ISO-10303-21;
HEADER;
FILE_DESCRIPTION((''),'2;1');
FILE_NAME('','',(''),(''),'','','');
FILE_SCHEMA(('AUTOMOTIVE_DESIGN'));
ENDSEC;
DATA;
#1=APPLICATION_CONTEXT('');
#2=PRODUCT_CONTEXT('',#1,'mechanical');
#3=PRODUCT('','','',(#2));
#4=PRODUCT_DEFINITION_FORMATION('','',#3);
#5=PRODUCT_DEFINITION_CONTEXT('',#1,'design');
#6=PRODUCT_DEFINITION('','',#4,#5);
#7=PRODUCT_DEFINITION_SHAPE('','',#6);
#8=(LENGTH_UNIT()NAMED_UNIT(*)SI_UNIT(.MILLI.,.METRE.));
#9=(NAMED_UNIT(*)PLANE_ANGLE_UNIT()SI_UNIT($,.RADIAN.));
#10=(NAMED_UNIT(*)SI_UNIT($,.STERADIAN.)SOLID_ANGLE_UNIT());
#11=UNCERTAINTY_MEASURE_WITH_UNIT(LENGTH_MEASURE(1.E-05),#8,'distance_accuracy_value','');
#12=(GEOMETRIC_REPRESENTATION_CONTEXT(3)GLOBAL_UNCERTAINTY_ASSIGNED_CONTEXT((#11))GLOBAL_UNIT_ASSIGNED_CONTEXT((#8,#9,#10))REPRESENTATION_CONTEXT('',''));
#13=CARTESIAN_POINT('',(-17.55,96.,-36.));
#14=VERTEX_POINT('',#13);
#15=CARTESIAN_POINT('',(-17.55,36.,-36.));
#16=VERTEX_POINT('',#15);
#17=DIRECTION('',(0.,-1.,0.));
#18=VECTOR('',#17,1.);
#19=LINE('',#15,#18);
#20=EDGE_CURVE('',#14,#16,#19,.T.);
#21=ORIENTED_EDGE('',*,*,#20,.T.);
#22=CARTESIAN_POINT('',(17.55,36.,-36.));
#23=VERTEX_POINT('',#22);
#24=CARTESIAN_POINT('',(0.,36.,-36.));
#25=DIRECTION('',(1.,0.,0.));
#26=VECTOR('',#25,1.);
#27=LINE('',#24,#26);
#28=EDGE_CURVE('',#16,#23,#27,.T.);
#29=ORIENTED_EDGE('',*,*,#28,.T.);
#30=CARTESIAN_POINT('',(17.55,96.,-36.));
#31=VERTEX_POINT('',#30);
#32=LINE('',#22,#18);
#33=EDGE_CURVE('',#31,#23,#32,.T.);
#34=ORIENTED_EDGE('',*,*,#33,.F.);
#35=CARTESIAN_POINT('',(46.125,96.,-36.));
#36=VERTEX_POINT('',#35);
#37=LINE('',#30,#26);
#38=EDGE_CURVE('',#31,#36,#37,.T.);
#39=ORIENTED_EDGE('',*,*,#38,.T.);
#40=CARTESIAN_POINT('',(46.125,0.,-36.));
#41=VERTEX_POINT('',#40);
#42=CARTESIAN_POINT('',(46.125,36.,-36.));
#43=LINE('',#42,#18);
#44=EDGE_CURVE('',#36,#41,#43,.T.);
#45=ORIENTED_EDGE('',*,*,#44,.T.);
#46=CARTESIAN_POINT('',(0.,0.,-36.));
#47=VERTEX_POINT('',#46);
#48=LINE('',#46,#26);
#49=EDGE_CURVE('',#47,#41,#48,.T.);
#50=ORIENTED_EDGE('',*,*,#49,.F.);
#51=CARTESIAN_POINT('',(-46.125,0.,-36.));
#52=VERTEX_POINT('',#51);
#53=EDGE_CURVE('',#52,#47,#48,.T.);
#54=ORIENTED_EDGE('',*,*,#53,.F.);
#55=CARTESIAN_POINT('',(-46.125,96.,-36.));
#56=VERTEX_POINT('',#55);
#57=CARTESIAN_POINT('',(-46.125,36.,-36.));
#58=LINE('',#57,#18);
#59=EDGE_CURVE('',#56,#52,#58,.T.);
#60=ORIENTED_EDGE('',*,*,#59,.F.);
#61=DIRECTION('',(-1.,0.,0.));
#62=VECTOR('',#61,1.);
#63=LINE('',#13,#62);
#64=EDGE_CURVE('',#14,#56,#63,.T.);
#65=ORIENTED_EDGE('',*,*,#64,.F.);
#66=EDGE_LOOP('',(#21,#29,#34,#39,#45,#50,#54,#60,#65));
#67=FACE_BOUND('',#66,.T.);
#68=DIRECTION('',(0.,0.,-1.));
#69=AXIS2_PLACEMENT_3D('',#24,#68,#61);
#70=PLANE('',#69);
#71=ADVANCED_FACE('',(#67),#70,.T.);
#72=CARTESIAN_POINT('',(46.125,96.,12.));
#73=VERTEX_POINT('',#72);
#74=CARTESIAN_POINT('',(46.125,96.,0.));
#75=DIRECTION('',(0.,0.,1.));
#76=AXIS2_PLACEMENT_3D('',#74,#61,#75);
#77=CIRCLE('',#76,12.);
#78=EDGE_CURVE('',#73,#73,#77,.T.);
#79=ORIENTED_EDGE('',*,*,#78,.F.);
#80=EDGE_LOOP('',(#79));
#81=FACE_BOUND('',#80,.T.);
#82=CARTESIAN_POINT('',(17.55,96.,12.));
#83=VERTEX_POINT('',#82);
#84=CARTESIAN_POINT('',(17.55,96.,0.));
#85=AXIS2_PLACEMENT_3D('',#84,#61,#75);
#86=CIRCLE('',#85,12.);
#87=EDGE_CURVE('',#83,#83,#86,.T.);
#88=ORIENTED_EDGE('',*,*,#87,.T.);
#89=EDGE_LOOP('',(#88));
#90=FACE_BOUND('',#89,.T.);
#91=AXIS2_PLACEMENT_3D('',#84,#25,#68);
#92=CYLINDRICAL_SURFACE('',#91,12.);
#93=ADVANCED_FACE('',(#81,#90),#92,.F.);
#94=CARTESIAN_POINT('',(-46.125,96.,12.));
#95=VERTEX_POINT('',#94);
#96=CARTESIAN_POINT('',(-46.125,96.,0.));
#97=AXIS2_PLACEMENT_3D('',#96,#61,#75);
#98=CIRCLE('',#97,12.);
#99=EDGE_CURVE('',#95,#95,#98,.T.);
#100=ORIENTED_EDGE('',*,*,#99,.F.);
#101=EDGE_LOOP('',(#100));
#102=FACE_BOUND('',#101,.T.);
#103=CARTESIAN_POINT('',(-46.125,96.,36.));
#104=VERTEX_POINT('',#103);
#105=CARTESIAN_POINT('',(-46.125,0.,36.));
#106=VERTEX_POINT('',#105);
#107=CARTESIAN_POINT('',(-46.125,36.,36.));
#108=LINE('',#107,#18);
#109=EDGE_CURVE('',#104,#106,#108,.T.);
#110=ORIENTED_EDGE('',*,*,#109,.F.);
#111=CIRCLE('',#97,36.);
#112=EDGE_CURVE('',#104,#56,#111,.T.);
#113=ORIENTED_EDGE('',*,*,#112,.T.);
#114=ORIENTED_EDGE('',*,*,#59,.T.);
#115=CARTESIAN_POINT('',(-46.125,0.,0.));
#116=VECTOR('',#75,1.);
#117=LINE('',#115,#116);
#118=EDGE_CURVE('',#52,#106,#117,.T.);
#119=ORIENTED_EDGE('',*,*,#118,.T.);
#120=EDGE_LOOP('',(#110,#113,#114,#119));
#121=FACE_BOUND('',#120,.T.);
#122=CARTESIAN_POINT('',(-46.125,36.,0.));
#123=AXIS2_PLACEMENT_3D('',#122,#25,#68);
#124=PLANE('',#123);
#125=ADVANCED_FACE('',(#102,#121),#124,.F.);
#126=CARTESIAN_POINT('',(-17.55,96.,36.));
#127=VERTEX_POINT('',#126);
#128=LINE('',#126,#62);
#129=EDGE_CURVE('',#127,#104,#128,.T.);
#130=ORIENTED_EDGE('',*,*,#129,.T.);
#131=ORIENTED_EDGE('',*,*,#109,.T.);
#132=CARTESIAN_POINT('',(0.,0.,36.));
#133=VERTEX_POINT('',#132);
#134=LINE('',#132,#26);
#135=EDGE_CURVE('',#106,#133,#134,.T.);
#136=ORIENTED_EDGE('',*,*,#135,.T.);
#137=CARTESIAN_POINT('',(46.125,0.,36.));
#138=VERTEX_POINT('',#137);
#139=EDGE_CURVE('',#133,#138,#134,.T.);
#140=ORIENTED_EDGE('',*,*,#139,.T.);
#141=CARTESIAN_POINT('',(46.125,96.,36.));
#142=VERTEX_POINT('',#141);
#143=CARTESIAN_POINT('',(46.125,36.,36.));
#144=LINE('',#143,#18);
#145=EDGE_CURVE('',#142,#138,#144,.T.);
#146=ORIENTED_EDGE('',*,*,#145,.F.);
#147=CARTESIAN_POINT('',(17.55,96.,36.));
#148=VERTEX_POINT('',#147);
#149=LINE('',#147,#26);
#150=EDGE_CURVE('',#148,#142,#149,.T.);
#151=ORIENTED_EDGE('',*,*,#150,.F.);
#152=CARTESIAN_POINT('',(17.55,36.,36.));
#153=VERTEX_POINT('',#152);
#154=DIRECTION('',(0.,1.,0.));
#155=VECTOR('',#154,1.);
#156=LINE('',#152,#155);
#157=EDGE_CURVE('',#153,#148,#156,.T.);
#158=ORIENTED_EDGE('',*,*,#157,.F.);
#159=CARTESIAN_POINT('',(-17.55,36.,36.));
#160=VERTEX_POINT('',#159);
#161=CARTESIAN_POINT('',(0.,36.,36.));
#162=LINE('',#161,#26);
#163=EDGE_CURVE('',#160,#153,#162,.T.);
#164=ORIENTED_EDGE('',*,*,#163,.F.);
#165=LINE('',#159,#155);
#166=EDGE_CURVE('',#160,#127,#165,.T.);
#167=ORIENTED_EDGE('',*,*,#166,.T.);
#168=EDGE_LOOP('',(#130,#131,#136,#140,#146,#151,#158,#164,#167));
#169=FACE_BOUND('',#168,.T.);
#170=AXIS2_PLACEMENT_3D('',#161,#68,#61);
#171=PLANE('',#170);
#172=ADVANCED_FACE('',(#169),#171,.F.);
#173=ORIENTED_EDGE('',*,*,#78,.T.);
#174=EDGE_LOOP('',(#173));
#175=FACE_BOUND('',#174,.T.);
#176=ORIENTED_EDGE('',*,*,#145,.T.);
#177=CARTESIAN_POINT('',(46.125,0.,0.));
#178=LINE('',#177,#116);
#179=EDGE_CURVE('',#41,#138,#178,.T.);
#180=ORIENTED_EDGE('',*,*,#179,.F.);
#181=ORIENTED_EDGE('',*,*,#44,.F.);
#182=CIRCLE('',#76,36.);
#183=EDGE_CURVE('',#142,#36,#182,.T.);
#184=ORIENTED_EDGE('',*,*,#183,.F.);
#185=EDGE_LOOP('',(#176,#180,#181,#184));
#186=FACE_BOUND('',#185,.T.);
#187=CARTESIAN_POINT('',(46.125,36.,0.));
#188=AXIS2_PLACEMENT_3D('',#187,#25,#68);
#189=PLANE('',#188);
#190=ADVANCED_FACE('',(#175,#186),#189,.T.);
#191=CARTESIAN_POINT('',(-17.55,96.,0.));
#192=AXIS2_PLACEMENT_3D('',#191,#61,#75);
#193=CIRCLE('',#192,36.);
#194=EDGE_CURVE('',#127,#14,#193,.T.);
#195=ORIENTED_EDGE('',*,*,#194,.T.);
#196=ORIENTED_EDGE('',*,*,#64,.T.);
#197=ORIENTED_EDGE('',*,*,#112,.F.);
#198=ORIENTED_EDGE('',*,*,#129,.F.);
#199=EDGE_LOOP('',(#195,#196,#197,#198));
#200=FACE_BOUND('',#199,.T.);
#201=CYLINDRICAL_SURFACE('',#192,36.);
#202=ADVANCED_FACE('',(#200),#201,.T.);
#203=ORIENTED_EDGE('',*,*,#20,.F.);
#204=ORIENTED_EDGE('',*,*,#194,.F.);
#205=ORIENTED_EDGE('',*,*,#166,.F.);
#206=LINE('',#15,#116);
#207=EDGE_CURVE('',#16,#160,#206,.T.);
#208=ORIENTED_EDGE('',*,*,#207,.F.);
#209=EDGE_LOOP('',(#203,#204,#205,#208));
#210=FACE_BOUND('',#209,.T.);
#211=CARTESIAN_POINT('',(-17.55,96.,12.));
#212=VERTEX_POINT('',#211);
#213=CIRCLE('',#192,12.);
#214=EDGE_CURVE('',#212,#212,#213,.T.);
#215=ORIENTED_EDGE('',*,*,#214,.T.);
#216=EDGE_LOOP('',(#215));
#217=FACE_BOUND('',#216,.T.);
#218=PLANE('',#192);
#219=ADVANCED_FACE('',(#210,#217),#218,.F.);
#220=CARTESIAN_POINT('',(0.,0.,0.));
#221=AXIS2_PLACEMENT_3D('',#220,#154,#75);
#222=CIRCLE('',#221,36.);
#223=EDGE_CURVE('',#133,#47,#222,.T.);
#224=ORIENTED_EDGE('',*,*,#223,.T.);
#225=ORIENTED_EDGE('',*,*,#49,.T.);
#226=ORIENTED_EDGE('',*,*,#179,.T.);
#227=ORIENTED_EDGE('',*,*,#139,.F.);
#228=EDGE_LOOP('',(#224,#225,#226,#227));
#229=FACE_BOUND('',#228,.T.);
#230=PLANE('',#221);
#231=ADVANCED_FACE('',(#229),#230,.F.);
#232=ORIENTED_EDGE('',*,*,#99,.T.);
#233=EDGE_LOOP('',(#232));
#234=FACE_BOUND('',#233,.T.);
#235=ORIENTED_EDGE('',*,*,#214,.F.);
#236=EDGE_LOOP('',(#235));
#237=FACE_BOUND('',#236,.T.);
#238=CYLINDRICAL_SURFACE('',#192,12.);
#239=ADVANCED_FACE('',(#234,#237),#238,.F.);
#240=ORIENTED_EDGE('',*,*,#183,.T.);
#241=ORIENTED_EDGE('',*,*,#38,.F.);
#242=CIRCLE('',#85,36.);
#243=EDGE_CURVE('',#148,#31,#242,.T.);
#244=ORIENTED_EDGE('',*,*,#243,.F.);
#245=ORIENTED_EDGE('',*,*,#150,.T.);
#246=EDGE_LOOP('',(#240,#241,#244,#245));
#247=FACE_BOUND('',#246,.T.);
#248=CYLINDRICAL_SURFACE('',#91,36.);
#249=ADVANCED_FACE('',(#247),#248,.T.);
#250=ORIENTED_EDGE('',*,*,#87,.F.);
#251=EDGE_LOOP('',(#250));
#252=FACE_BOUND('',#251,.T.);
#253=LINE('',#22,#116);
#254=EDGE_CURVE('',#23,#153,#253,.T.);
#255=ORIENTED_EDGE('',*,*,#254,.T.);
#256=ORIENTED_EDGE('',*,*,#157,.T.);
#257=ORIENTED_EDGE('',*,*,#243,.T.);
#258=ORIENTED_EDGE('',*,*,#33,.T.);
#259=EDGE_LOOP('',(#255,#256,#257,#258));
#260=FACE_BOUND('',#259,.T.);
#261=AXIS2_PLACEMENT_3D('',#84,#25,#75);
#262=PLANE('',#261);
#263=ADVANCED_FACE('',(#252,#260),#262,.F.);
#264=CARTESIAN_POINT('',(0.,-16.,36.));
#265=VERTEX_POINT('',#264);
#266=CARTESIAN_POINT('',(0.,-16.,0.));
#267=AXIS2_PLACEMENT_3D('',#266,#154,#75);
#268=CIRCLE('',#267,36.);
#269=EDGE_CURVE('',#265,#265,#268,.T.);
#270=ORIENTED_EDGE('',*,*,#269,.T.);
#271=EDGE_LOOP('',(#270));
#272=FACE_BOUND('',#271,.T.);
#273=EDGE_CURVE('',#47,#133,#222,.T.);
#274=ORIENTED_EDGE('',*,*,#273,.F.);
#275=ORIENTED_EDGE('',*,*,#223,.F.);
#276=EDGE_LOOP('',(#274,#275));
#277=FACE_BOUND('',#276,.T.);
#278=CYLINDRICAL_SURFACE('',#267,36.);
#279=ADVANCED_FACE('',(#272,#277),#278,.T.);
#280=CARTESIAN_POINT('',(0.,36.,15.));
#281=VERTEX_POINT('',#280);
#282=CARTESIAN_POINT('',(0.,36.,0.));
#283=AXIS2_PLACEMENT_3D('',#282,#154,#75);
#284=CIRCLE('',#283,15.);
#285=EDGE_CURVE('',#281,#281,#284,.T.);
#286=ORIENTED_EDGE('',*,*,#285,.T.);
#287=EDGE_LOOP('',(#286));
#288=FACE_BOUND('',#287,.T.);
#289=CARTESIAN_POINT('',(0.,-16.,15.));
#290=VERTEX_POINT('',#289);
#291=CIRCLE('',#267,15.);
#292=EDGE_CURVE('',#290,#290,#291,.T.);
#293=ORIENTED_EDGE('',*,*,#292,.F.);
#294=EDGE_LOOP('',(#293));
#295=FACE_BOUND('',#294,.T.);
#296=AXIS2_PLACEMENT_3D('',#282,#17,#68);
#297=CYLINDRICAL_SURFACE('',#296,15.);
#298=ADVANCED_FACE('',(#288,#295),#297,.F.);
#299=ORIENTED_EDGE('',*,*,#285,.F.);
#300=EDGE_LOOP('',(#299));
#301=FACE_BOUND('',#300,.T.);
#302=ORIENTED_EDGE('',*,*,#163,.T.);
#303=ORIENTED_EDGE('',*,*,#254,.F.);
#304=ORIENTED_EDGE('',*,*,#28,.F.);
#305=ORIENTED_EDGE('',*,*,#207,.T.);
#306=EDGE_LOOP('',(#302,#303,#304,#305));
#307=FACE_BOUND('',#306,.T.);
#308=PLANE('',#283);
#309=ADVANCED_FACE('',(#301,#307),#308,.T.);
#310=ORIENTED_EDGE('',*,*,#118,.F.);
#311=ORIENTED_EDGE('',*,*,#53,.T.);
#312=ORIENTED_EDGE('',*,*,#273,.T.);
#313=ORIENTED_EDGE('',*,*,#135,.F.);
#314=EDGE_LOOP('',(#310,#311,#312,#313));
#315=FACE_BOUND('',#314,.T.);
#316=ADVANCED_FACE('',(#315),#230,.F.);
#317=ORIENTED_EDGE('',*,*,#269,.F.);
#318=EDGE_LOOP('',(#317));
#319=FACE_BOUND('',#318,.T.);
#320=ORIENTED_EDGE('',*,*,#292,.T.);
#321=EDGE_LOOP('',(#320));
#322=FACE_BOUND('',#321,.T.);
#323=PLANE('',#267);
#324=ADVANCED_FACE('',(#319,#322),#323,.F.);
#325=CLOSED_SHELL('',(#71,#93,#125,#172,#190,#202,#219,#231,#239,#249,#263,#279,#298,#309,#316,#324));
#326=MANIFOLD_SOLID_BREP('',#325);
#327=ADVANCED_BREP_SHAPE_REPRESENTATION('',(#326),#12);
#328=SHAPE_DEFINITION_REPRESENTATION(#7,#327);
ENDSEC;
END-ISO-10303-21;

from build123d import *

# Parameters (mm, degrees)
SKETCH1_W           = 92.25
SKETCH1_H           = 72
SKETCH1_R           = 15
BOSS_EXTRUDE1_DEPTH = 36
BOSS_EXTRUDE2_START = -16
SKETCH1_3_R         = 15
BOSS_EXTRUDE2_DEPTH = 16
SKETCH2_R           = 12
BOSS_EXTRUDE3_DEPTH = 28.575


with BuildPart() as part:
    # Sketch1 → Boss-Extrude1 (new body)
    with BuildSketch(Plane(origin=(0, 0, 0), x_dir=(1, 0, 0), z_dir=(0, 1, 0))):
        Rectangle(SKETCH1_W, SKETCH1_H)
        Circle(SKETCH1_R, mode=Mode.SUBTRACT)
    boss_extrude1 = extrude(amount=BOSS_EXTRUDE1_DEPTH)

    # Sketch1<3> → Boss-Extrude2 (add)
    with BuildSketch(Plane(origin=(0, 0, 0), x_dir=(1, 0, 0), z_dir=(0, 1, 0)).offset(BOSS_EXTRUDE2_START)):
        with BuildLine():
            ThreePointArc((36, 0), (25.455844112, 25.455844134), (-3.1e-08, 36))
            ThreePointArc((-3.1e-08, 36), (-36, -3.6e-08), (4.1e-08, -36))
            ThreePointArc((4.1e-08, -36), (25.455844137, -25.455844108), (36, 0))
        make_face()
        Circle(SKETCH1_3_R, mode=Mode.SUBTRACT)
    extrude(amount=BOSS_EXTRUDE2_DEPTH)

    # Sketch2 → Boss-Extrude3 (add)
    with BuildSketch(Plane.ZY.offset(46.125)):
        with BuildLine():
            Line((-36, 36), (36, 36))
            Line((36, 36), (36, 96))
            ThreePointArc((36, 96), (0, 132), (-36, 96))
            Line((-36, 96), (-36, 36))
        make_face()
        with Locations((0, 96)):
            Circle(SKETCH2_R, mode=Mode.SUBTRACT)
    boss_extrude3 = extrude(amount=-BOSS_EXTRUDE3_DEPTH)

    # Mirror1: Boss-Extrude1, Boss-Extrude3 across plane
    add(boss_extrude1.mirror(Plane(origin=(0, 0, 0), x_dir=(0, 0, 1), z_dir=(1, 0, 0))))
    add(boss_extrude3.mirror(Plane(origin=(0, 0, 0), x_dir=(0, 0, 1), z_dir=(1, 0, 0))))


solid = part.part
